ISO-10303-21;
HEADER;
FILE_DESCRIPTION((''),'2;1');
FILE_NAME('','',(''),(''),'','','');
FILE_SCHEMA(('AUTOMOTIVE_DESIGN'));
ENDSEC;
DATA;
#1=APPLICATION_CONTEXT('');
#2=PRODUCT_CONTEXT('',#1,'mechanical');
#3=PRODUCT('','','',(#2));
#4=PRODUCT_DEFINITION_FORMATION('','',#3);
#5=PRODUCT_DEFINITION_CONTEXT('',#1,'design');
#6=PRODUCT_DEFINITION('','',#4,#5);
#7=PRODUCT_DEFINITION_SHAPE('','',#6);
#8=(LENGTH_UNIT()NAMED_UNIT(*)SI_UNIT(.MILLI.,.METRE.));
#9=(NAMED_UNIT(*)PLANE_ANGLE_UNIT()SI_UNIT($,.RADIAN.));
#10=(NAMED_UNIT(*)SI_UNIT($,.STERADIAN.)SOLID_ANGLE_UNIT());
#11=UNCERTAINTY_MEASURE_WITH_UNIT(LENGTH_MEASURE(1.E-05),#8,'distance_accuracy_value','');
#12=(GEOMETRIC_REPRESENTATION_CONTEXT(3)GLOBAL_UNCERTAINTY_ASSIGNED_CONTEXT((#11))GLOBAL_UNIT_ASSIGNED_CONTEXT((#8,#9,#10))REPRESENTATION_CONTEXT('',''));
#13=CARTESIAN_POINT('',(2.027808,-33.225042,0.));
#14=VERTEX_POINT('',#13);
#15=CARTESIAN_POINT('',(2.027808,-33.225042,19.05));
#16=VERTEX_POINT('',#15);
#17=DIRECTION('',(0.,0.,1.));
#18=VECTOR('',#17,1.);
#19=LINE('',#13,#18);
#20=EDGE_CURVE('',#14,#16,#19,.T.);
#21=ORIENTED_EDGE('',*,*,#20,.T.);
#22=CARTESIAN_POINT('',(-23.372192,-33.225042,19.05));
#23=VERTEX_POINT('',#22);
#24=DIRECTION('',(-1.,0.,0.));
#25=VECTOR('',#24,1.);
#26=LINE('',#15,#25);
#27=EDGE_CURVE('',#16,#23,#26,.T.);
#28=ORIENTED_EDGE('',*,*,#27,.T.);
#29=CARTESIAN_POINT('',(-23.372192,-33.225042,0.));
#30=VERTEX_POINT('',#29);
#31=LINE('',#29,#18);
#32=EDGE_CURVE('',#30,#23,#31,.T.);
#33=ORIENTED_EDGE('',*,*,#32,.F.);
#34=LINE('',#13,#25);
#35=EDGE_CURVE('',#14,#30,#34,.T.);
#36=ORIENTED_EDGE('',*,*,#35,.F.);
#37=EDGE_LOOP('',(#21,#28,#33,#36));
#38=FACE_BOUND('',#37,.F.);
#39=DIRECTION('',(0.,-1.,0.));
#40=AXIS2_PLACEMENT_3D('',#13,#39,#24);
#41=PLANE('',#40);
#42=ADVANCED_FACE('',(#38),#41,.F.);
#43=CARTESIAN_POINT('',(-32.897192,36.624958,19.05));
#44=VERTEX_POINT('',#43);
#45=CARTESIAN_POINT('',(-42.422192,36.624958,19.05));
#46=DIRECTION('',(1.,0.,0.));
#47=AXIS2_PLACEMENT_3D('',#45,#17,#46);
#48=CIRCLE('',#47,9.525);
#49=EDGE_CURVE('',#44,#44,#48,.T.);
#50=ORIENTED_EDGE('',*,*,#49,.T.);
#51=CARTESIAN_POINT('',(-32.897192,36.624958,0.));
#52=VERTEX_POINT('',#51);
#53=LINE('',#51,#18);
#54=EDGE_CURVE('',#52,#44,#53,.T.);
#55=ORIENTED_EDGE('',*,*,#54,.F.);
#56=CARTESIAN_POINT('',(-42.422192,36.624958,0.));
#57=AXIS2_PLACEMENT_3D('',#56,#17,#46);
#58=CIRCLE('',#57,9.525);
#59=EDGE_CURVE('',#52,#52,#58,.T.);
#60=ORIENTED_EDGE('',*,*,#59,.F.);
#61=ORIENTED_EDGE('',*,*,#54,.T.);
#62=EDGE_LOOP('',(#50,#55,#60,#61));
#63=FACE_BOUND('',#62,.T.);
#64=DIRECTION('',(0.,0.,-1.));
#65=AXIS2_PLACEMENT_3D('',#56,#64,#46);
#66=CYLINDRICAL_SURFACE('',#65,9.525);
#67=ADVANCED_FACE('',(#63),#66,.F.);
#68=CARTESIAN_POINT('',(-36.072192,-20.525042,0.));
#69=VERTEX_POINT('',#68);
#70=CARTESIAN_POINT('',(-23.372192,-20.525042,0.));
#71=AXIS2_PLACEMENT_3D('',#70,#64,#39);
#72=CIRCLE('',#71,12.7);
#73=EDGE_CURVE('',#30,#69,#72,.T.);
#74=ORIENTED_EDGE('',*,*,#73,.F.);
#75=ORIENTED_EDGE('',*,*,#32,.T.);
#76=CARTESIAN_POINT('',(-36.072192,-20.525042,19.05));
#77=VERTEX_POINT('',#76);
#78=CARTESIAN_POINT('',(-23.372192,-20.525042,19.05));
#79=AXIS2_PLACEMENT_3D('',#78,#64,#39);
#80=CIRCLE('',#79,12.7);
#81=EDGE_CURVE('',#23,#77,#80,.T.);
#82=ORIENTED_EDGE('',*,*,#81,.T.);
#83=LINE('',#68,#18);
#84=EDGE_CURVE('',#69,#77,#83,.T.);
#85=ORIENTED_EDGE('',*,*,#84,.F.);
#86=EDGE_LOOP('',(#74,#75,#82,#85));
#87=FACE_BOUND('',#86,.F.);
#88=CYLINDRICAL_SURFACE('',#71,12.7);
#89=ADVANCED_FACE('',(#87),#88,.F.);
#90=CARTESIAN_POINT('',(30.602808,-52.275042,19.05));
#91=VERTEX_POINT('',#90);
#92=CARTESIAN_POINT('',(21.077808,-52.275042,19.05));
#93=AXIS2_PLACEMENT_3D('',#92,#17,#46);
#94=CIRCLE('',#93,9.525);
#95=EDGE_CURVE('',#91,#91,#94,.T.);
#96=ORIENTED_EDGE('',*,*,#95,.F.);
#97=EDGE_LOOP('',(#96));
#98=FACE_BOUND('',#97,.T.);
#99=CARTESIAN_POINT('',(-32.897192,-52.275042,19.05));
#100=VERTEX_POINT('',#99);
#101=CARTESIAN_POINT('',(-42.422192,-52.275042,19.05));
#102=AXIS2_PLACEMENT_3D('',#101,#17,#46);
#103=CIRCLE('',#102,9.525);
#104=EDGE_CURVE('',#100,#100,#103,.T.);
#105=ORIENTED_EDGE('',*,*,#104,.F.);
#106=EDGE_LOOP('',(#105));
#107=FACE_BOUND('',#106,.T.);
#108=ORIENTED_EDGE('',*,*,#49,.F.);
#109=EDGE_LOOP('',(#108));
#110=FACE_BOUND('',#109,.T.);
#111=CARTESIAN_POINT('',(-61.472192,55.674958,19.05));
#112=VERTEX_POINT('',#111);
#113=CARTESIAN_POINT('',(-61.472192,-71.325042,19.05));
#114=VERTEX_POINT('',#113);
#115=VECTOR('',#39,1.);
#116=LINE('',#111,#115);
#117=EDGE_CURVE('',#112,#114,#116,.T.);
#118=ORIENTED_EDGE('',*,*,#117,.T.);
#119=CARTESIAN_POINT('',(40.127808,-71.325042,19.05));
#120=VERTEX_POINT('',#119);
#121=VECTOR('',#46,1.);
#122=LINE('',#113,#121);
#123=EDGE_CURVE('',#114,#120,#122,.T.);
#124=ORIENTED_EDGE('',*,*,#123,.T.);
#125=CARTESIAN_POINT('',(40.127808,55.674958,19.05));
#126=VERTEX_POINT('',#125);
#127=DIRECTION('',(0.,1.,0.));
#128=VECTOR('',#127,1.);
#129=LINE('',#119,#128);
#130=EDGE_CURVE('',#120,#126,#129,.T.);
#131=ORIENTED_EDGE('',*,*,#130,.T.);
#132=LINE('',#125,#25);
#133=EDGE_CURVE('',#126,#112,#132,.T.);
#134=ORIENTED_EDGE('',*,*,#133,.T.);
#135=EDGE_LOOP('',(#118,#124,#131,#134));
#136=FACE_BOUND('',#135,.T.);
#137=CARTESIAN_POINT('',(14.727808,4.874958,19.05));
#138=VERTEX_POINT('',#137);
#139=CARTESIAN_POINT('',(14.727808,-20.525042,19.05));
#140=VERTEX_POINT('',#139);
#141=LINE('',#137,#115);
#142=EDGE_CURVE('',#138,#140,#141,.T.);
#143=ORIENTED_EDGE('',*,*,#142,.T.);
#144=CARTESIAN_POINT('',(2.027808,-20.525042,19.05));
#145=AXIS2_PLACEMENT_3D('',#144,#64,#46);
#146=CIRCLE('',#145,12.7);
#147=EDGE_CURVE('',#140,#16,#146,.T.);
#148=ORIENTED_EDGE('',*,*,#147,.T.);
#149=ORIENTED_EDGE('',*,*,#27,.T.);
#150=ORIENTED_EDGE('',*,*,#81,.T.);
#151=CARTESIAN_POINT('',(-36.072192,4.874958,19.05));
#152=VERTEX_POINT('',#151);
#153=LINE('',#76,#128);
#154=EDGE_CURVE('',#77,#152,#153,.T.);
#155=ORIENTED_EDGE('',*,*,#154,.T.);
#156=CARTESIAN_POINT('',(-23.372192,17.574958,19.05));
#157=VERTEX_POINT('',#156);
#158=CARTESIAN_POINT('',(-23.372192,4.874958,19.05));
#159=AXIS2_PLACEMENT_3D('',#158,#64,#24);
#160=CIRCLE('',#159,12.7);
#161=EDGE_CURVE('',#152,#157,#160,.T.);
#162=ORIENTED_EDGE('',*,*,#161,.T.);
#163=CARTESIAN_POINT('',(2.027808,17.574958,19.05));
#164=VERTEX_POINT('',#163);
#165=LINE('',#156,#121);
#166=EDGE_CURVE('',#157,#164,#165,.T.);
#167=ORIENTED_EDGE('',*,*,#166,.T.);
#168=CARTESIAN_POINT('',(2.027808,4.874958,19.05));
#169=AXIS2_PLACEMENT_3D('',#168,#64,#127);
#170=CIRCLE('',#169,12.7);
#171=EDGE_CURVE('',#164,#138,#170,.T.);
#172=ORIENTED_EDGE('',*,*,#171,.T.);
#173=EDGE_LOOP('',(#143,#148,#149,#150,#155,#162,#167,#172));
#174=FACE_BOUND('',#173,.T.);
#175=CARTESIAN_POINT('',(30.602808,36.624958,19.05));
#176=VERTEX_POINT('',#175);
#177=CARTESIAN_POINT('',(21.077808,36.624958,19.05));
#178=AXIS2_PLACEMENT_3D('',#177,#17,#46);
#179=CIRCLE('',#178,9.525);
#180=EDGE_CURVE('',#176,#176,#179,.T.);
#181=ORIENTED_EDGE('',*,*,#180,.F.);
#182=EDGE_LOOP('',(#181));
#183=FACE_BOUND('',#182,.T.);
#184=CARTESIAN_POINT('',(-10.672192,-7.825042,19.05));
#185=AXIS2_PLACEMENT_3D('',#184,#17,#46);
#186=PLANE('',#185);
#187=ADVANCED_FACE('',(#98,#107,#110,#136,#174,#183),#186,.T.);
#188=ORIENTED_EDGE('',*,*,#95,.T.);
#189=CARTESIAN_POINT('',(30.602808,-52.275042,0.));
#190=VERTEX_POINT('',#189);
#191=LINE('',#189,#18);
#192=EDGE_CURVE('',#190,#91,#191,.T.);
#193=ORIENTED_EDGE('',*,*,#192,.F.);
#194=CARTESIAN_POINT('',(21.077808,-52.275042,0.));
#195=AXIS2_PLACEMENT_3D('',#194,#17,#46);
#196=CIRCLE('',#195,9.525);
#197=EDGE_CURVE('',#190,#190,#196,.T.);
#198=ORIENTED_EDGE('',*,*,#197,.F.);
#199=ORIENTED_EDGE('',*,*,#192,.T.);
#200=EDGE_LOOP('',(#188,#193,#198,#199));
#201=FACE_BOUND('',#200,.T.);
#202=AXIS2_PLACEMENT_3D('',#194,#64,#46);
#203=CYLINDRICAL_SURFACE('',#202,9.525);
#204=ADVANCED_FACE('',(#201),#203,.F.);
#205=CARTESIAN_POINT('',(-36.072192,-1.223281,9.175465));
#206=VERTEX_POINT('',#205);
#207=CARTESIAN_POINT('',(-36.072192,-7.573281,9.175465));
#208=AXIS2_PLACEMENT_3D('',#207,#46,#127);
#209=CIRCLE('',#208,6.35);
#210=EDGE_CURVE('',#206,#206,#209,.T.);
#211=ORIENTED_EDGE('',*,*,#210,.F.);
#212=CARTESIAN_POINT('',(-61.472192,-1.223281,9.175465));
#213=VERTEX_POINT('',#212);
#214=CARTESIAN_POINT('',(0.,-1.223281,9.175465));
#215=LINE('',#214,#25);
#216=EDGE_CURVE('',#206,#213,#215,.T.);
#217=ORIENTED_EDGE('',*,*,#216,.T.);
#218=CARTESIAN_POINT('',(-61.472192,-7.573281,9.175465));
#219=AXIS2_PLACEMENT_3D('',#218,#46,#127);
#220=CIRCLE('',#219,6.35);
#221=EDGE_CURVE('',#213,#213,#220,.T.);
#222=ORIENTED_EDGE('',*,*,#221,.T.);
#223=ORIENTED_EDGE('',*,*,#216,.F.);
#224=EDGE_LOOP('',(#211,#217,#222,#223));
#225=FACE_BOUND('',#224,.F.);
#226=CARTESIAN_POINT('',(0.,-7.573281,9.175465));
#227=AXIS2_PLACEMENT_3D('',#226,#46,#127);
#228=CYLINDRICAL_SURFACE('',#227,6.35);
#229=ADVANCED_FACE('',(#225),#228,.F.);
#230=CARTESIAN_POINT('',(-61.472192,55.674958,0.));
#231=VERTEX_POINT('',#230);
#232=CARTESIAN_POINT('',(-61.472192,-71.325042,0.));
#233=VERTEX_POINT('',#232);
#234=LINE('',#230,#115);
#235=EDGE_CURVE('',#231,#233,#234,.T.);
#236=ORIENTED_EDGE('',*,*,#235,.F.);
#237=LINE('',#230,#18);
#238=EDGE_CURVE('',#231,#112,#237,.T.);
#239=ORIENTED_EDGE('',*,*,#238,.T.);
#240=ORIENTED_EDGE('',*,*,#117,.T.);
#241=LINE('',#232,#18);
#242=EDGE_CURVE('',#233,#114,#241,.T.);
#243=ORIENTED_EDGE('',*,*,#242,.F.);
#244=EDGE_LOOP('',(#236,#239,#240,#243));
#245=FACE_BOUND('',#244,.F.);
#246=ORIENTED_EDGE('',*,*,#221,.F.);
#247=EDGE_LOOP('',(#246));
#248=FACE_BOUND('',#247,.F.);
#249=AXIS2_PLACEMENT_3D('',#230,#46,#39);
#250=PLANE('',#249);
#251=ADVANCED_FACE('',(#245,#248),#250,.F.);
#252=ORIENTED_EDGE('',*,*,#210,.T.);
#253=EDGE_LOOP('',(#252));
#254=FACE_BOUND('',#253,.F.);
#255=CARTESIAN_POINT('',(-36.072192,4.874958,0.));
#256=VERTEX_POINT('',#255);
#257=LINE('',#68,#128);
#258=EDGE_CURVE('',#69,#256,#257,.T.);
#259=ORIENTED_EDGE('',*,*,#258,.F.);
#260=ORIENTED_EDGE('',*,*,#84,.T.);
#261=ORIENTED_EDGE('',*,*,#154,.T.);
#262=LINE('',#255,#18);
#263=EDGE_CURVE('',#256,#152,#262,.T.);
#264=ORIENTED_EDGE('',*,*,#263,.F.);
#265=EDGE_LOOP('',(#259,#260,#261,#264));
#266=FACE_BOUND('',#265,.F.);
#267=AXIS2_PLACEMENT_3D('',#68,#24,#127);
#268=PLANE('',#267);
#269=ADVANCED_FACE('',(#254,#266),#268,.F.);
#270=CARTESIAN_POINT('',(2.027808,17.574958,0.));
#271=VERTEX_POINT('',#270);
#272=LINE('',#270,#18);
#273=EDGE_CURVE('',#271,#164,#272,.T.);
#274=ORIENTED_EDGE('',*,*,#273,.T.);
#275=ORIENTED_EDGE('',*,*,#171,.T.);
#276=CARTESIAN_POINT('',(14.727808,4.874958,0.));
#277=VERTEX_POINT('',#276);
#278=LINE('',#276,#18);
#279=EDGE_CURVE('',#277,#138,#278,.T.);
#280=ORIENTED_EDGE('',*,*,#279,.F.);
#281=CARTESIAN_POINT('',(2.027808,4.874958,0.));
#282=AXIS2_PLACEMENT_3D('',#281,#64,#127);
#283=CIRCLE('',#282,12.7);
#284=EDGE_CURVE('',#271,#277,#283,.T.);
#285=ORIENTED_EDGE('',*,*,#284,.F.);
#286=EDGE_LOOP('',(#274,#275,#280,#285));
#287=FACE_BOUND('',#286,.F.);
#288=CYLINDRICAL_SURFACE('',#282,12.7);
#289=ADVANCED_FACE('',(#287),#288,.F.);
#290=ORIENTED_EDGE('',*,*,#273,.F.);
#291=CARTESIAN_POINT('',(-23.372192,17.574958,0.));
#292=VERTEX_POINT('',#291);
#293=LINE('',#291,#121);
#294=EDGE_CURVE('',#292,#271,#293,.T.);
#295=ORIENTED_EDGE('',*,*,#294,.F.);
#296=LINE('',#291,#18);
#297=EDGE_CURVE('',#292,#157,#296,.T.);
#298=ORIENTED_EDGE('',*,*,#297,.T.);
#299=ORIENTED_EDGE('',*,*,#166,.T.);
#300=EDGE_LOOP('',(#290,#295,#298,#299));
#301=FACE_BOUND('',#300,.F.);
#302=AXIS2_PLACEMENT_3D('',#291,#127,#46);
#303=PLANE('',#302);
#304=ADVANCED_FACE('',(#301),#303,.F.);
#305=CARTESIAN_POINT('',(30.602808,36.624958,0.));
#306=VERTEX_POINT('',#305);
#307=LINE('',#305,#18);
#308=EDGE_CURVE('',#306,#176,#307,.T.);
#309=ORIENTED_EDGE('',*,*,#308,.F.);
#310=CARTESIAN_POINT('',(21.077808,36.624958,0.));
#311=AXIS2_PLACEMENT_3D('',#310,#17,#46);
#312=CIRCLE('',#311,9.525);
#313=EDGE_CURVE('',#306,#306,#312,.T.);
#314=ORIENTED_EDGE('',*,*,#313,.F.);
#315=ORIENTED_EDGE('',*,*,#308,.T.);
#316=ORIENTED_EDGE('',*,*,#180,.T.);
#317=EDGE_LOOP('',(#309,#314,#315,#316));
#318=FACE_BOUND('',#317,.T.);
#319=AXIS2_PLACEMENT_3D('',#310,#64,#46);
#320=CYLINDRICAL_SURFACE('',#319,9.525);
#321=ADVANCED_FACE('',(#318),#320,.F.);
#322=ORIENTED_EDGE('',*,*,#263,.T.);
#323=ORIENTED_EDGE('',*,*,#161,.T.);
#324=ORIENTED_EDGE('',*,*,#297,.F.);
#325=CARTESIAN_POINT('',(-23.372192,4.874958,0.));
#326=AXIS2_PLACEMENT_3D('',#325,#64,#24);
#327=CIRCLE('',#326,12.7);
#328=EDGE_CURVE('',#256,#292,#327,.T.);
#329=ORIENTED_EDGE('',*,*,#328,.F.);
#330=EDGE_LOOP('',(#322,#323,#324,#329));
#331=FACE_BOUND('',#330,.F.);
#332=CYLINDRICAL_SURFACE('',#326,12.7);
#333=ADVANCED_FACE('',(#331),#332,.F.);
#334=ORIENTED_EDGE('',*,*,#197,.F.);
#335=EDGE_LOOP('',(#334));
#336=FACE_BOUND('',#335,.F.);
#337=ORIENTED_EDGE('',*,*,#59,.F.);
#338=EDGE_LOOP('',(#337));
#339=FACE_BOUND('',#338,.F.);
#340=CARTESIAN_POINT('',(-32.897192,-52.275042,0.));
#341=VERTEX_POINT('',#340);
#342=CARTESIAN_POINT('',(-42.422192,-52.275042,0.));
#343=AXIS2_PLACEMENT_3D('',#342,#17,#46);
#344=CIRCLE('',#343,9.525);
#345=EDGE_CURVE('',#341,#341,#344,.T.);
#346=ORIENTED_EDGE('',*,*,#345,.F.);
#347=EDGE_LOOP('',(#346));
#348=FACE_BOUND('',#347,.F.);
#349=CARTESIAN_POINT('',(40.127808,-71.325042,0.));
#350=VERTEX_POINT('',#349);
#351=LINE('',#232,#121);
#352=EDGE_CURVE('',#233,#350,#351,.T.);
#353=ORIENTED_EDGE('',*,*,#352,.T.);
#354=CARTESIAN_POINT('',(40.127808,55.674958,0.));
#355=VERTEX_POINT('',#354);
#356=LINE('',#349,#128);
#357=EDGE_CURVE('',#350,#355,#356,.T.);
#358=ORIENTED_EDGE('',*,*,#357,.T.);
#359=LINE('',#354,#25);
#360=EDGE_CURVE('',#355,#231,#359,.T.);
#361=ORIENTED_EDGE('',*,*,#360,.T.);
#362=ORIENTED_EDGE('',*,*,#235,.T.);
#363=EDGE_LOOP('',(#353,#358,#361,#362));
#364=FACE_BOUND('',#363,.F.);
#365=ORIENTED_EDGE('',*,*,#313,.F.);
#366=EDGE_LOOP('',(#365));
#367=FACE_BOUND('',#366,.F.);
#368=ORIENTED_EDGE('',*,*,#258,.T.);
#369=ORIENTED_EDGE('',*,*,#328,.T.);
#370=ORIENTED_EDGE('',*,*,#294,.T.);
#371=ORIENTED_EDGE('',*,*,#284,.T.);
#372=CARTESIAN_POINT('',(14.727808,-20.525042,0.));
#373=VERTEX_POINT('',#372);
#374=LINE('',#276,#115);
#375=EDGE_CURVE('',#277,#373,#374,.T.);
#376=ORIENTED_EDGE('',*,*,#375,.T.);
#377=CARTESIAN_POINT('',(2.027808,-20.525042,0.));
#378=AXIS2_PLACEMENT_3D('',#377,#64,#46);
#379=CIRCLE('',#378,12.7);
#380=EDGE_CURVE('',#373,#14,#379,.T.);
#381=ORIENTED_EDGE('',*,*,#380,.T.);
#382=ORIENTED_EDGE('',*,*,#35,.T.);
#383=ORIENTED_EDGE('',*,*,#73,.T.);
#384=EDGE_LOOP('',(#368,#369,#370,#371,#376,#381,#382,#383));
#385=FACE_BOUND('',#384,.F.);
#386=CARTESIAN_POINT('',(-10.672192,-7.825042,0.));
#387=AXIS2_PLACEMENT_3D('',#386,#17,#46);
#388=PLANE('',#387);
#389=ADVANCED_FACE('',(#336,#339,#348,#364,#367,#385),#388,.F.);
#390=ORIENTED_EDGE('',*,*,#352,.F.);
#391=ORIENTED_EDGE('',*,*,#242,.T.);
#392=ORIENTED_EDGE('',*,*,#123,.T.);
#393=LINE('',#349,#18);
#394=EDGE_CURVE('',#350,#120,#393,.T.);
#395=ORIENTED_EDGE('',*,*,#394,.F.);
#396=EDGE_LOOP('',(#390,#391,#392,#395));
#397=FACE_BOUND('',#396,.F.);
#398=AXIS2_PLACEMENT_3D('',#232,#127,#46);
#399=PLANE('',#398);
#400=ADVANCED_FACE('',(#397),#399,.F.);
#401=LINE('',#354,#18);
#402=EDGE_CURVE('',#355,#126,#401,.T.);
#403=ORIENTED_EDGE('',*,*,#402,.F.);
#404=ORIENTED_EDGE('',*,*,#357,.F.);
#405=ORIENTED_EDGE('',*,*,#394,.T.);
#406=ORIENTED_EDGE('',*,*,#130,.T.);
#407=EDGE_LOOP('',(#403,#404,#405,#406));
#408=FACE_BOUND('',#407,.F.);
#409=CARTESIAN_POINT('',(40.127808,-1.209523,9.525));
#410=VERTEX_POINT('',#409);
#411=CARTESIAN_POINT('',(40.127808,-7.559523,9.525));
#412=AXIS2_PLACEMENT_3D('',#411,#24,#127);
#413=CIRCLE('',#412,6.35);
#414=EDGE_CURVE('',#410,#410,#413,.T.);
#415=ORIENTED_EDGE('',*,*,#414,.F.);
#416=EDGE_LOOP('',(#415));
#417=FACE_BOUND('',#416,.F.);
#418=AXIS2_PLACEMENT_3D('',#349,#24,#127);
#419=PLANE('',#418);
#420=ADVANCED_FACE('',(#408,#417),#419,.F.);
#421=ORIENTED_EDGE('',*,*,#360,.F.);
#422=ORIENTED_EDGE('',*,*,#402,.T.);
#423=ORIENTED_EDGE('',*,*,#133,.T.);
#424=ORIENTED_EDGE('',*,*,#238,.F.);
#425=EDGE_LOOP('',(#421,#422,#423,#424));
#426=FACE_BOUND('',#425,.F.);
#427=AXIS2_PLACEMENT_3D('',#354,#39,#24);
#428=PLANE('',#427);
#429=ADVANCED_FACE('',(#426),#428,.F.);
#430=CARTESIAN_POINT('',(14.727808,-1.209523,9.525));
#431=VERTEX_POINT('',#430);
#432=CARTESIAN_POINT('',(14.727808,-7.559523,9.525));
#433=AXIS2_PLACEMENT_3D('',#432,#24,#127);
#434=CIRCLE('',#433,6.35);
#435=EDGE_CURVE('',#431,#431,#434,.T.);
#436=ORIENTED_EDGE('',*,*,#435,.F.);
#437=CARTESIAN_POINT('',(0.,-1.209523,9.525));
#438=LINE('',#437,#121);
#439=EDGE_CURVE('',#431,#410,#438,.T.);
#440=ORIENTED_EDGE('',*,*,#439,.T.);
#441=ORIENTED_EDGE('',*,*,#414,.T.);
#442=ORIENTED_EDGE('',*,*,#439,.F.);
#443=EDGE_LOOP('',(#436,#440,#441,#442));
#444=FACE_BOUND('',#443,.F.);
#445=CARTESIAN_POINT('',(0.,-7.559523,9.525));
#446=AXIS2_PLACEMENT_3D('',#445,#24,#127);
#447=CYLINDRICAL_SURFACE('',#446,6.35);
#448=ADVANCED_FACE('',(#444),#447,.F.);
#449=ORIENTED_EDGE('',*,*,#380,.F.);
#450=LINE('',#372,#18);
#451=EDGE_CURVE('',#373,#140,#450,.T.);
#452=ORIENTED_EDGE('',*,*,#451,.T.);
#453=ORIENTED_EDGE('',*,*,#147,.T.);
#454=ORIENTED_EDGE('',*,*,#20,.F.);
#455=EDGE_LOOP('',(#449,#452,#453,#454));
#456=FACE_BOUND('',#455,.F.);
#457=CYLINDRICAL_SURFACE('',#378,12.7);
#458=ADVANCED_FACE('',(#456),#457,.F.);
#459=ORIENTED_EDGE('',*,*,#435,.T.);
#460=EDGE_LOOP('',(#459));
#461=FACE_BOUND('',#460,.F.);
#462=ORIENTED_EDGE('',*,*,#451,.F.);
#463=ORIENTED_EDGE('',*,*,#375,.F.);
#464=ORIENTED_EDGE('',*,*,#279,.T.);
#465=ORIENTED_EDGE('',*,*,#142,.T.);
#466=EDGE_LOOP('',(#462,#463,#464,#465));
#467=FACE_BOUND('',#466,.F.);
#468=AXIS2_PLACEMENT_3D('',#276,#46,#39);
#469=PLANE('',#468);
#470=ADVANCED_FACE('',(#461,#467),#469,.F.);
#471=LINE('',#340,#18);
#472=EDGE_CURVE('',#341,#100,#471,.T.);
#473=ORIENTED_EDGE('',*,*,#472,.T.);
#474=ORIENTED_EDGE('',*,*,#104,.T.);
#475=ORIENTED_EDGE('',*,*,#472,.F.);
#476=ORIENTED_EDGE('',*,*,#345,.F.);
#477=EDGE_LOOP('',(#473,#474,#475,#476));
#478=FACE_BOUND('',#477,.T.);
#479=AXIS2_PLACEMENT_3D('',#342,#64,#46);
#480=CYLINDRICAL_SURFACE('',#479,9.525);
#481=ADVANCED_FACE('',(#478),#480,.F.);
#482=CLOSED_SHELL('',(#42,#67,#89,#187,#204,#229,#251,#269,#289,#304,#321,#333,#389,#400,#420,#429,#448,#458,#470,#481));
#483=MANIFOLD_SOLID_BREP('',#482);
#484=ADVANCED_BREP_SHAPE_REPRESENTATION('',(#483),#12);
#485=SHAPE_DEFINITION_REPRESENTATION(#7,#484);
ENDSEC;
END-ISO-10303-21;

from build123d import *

# Parameters (mm, degrees)
F0_R     = 9.525
F1_DEPTH = 19.05
F3_D     = 12.7
F3_DEPTH = 127
F3_TIP   = 3.8154649308
F5_D     = 12.7
F5_DEPTH = 61.4731924625


with BuildPart() as f1:
    # F0 (on Top) → F1 (new body)
    with BuildSketch(Plane.XY):
        Polygon((40.1278075375, 55.6749581326), (-61.4721924625, 55.6749581326), (-61.4721924625, 36.6249581326), (-61.4721924625, -71.3250418674), (40.1278075375, -71.3250418674), align=None)
        with Locations((-42.4221924625, -52.2750418674)):
            Circle(F0_R, mode=Mode.SUBTRACT)
        with Locations((21.0778075375, -52.2750418674)):
            Circle(F0_R, mode=Mode.SUBTRACT)
        with Locations((-42.4221924625, 36.6249581326)):
            Circle(F0_R, mode=Mode.SUBTRACT)
        with BuildLine():
            Line((-36.0721924625, -20.5250418674), (-36.0721924625, 4.8749581326))
            ThreePointArc((-36.0721924625, 4.8749581326), (-32.3524485836, 13.8552142537), (-23.3721924625, 17.5749581326))
            Line((-23.3721924625, 17.5749581326), (2.0278075375, 17.5749581326))
            ThreePointArc((2.0278075375, 17.5749581326), (11.0080636586, 13.8552142537), (14.7278075375, 4.8749581326))
            Line((14.7278075375, 4.8749581326), (14.7278075375, -20.5250418674))
            ThreePointArc((14.7278075375, -20.5250418674), (11.0080636586, -29.5052979885), (2.0278075375, -33.2250418674))
            Line((2.0278075375, -33.2250418674), (-23.3721924625, -33.2250418674))
            ThreePointArc((-23.3721924625, -33.2250418674), (-32.3524485836, -29.5052979885), (-36.0721924625, -20.5250418674))
        make_face(mode=Mode.SUBTRACT)
        with Locations((21.0778075375, 36.6249581326)):
            Circle(F0_R, mode=Mode.SUBTRACT)
    extrude(amount=F1_DEPTH)

    # F3 (one way)
    with BuildSketch(Plane(origin=(0, 0, 0), x_dir=(0, 1, 0), z_dir=(-1, 0, 0))):
        with Locations((-7.5595228386, -9.525)):
            Circle(F3_D / 2)
    extrude(amount=-F3_DEPTH, mode=Mode.SUBTRACT)
    with Locations(Plane(origin=(0, 0, 0), x_dir=(0, 1, 0), z_dir=(-1, 0, 0))):
        with Locations((-7.5595228386, -9.525)):
            with Locations((0, 0, -(F3_DEPTH + F3_TIP / 2))):  # 118° drill point
                Cone(0, F3_D / 2, F3_TIP, mode=Mode.SUBTRACT)

    # F5 (through all, one way)
    with BuildSketch(Plane.YZ):
        with Locations((-7.5732805474, 9.1754648791)):
            Circle(F5_D / 2)
    extrude(amount=-F5_DEPTH, mode=Mode.SUBTRACT)


solid = f1.part
